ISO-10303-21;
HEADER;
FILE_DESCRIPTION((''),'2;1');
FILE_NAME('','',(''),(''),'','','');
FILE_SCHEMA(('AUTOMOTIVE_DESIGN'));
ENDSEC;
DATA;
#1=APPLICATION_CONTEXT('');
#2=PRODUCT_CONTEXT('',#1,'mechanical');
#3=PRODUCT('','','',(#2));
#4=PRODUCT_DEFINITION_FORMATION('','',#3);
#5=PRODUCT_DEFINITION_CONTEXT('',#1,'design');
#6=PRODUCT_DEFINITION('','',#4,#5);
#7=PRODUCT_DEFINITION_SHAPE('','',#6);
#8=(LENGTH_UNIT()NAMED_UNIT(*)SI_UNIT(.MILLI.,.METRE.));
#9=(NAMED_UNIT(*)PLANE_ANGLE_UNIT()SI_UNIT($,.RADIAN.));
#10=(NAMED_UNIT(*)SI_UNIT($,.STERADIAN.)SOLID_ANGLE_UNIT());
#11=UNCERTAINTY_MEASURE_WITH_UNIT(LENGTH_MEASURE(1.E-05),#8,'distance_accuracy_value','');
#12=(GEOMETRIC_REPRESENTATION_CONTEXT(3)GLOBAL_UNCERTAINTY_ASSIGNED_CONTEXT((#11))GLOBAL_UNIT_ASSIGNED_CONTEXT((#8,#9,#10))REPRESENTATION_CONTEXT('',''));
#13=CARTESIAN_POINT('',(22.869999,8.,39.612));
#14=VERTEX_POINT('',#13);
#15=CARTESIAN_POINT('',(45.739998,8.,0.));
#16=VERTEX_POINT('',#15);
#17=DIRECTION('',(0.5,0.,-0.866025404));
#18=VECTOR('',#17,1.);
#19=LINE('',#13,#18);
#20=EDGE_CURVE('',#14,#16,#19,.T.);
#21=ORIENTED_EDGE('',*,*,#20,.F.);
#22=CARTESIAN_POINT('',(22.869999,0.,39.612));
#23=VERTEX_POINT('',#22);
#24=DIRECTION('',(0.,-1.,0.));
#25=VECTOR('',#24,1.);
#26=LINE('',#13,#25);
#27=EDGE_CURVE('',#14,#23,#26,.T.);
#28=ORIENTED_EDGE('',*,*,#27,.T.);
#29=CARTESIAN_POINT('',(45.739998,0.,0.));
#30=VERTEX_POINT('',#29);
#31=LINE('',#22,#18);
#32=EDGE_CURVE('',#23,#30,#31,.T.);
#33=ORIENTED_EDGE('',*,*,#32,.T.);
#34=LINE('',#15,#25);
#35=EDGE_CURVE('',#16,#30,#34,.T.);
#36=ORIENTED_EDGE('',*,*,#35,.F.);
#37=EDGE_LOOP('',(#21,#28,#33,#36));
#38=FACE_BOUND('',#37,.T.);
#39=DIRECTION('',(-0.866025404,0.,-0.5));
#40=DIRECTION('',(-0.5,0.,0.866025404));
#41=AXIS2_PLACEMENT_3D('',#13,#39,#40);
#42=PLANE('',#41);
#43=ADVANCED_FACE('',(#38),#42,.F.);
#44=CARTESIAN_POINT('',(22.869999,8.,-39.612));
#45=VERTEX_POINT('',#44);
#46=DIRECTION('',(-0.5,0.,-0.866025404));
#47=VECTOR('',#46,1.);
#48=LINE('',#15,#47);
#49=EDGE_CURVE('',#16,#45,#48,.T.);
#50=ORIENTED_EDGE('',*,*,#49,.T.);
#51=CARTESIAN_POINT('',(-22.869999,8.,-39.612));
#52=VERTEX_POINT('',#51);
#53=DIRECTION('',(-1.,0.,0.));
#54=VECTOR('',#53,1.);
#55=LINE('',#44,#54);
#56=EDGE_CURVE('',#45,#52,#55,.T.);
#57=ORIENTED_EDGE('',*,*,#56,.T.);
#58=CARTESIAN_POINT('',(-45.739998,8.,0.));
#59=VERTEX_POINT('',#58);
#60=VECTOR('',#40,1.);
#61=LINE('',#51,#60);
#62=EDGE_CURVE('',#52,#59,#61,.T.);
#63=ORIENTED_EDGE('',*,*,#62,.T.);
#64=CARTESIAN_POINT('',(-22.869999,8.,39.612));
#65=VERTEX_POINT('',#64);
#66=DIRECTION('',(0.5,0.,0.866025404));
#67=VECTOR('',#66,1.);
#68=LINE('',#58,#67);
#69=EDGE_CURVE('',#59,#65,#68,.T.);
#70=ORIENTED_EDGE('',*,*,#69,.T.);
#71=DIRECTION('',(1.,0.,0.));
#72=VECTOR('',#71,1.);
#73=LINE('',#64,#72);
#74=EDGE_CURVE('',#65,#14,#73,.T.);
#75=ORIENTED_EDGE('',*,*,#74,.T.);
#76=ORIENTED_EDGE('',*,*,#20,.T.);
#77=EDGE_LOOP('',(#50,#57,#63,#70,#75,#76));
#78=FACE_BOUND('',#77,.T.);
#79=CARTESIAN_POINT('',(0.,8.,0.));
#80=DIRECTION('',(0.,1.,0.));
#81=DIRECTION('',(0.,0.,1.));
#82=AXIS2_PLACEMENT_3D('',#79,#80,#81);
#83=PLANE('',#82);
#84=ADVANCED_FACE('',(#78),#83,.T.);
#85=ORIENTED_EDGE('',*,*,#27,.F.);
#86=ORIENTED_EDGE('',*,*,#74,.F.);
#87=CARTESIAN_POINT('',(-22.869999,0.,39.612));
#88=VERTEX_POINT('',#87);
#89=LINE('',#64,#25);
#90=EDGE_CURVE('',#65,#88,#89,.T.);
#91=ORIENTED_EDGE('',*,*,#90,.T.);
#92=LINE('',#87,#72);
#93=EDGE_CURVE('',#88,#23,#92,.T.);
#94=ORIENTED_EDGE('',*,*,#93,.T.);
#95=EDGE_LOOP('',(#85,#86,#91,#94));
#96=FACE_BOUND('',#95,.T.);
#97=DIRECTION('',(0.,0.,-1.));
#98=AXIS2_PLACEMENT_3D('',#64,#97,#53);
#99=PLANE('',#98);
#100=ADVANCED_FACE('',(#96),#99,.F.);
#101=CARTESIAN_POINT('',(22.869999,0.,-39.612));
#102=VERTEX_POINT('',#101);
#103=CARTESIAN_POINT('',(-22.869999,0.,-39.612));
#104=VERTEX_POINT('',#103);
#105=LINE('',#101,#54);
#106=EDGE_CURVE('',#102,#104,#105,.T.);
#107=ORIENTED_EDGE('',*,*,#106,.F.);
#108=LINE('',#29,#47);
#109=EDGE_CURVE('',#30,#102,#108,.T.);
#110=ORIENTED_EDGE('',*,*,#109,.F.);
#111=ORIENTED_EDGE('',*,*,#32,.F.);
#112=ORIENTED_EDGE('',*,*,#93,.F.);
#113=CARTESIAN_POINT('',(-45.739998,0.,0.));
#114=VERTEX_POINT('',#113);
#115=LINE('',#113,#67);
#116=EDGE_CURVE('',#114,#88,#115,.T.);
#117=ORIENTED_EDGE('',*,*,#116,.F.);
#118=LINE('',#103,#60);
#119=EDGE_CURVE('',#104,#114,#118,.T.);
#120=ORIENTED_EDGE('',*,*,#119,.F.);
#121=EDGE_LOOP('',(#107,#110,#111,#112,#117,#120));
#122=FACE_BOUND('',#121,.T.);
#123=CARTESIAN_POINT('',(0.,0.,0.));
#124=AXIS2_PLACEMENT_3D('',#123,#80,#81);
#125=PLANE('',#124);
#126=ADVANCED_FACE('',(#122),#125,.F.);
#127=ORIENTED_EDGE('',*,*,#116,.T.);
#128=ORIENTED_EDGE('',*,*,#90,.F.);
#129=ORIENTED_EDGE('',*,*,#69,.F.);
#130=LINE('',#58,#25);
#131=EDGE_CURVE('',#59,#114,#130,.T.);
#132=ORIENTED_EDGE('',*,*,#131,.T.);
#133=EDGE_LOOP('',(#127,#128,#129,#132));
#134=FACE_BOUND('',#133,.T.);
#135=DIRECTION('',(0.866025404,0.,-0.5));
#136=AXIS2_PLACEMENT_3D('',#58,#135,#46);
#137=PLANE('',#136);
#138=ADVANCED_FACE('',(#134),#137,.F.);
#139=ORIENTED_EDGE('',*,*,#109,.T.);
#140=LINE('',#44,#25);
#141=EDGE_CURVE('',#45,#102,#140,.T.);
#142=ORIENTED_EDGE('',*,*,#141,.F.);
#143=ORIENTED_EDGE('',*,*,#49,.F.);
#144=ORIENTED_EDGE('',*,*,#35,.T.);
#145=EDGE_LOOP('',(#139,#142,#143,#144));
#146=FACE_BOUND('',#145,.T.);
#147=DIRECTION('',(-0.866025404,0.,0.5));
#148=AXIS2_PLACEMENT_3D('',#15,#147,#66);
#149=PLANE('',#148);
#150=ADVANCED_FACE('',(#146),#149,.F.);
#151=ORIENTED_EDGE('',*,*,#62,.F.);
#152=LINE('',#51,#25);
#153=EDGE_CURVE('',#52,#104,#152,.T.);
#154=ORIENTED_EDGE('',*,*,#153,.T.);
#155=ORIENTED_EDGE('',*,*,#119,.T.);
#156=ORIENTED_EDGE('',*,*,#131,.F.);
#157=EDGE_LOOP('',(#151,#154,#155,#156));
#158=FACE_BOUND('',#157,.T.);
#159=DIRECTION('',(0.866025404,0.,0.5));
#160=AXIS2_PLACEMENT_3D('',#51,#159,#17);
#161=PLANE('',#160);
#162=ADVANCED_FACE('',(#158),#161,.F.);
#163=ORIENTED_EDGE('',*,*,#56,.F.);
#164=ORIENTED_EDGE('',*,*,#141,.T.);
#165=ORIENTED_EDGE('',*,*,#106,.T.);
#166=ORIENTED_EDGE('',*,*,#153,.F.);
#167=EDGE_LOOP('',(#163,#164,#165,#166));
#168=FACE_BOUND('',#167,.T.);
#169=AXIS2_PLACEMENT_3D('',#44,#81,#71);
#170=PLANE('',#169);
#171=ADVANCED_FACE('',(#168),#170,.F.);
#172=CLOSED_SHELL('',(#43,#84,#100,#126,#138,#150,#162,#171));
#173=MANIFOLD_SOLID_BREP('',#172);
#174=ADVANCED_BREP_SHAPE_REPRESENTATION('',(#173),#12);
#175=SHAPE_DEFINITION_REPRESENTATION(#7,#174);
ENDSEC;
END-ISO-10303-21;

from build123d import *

# Parameters (mm, degrees)
BOSS_EXTRUDE1_DEPTH = 8


with BuildPart() as part:
    # Sketch1 → Boss-Extrude1 (new body)
    with BuildSketch(Plane(origin=(0, 0, 0), x_dir=(1, 0, 0), z_dir=(0, 1, 0))):
        Polygon((45.739997726, 0), (22.869998863, 39.612), (-22.869998863, 39.612), (-45.739997726, 0), (-22.869998863, -39.612), (22.869998863, -39.612), align=None)
    extrude(amount=BOSS_EXTRUDE1_DEPTH)


solid = part.part
